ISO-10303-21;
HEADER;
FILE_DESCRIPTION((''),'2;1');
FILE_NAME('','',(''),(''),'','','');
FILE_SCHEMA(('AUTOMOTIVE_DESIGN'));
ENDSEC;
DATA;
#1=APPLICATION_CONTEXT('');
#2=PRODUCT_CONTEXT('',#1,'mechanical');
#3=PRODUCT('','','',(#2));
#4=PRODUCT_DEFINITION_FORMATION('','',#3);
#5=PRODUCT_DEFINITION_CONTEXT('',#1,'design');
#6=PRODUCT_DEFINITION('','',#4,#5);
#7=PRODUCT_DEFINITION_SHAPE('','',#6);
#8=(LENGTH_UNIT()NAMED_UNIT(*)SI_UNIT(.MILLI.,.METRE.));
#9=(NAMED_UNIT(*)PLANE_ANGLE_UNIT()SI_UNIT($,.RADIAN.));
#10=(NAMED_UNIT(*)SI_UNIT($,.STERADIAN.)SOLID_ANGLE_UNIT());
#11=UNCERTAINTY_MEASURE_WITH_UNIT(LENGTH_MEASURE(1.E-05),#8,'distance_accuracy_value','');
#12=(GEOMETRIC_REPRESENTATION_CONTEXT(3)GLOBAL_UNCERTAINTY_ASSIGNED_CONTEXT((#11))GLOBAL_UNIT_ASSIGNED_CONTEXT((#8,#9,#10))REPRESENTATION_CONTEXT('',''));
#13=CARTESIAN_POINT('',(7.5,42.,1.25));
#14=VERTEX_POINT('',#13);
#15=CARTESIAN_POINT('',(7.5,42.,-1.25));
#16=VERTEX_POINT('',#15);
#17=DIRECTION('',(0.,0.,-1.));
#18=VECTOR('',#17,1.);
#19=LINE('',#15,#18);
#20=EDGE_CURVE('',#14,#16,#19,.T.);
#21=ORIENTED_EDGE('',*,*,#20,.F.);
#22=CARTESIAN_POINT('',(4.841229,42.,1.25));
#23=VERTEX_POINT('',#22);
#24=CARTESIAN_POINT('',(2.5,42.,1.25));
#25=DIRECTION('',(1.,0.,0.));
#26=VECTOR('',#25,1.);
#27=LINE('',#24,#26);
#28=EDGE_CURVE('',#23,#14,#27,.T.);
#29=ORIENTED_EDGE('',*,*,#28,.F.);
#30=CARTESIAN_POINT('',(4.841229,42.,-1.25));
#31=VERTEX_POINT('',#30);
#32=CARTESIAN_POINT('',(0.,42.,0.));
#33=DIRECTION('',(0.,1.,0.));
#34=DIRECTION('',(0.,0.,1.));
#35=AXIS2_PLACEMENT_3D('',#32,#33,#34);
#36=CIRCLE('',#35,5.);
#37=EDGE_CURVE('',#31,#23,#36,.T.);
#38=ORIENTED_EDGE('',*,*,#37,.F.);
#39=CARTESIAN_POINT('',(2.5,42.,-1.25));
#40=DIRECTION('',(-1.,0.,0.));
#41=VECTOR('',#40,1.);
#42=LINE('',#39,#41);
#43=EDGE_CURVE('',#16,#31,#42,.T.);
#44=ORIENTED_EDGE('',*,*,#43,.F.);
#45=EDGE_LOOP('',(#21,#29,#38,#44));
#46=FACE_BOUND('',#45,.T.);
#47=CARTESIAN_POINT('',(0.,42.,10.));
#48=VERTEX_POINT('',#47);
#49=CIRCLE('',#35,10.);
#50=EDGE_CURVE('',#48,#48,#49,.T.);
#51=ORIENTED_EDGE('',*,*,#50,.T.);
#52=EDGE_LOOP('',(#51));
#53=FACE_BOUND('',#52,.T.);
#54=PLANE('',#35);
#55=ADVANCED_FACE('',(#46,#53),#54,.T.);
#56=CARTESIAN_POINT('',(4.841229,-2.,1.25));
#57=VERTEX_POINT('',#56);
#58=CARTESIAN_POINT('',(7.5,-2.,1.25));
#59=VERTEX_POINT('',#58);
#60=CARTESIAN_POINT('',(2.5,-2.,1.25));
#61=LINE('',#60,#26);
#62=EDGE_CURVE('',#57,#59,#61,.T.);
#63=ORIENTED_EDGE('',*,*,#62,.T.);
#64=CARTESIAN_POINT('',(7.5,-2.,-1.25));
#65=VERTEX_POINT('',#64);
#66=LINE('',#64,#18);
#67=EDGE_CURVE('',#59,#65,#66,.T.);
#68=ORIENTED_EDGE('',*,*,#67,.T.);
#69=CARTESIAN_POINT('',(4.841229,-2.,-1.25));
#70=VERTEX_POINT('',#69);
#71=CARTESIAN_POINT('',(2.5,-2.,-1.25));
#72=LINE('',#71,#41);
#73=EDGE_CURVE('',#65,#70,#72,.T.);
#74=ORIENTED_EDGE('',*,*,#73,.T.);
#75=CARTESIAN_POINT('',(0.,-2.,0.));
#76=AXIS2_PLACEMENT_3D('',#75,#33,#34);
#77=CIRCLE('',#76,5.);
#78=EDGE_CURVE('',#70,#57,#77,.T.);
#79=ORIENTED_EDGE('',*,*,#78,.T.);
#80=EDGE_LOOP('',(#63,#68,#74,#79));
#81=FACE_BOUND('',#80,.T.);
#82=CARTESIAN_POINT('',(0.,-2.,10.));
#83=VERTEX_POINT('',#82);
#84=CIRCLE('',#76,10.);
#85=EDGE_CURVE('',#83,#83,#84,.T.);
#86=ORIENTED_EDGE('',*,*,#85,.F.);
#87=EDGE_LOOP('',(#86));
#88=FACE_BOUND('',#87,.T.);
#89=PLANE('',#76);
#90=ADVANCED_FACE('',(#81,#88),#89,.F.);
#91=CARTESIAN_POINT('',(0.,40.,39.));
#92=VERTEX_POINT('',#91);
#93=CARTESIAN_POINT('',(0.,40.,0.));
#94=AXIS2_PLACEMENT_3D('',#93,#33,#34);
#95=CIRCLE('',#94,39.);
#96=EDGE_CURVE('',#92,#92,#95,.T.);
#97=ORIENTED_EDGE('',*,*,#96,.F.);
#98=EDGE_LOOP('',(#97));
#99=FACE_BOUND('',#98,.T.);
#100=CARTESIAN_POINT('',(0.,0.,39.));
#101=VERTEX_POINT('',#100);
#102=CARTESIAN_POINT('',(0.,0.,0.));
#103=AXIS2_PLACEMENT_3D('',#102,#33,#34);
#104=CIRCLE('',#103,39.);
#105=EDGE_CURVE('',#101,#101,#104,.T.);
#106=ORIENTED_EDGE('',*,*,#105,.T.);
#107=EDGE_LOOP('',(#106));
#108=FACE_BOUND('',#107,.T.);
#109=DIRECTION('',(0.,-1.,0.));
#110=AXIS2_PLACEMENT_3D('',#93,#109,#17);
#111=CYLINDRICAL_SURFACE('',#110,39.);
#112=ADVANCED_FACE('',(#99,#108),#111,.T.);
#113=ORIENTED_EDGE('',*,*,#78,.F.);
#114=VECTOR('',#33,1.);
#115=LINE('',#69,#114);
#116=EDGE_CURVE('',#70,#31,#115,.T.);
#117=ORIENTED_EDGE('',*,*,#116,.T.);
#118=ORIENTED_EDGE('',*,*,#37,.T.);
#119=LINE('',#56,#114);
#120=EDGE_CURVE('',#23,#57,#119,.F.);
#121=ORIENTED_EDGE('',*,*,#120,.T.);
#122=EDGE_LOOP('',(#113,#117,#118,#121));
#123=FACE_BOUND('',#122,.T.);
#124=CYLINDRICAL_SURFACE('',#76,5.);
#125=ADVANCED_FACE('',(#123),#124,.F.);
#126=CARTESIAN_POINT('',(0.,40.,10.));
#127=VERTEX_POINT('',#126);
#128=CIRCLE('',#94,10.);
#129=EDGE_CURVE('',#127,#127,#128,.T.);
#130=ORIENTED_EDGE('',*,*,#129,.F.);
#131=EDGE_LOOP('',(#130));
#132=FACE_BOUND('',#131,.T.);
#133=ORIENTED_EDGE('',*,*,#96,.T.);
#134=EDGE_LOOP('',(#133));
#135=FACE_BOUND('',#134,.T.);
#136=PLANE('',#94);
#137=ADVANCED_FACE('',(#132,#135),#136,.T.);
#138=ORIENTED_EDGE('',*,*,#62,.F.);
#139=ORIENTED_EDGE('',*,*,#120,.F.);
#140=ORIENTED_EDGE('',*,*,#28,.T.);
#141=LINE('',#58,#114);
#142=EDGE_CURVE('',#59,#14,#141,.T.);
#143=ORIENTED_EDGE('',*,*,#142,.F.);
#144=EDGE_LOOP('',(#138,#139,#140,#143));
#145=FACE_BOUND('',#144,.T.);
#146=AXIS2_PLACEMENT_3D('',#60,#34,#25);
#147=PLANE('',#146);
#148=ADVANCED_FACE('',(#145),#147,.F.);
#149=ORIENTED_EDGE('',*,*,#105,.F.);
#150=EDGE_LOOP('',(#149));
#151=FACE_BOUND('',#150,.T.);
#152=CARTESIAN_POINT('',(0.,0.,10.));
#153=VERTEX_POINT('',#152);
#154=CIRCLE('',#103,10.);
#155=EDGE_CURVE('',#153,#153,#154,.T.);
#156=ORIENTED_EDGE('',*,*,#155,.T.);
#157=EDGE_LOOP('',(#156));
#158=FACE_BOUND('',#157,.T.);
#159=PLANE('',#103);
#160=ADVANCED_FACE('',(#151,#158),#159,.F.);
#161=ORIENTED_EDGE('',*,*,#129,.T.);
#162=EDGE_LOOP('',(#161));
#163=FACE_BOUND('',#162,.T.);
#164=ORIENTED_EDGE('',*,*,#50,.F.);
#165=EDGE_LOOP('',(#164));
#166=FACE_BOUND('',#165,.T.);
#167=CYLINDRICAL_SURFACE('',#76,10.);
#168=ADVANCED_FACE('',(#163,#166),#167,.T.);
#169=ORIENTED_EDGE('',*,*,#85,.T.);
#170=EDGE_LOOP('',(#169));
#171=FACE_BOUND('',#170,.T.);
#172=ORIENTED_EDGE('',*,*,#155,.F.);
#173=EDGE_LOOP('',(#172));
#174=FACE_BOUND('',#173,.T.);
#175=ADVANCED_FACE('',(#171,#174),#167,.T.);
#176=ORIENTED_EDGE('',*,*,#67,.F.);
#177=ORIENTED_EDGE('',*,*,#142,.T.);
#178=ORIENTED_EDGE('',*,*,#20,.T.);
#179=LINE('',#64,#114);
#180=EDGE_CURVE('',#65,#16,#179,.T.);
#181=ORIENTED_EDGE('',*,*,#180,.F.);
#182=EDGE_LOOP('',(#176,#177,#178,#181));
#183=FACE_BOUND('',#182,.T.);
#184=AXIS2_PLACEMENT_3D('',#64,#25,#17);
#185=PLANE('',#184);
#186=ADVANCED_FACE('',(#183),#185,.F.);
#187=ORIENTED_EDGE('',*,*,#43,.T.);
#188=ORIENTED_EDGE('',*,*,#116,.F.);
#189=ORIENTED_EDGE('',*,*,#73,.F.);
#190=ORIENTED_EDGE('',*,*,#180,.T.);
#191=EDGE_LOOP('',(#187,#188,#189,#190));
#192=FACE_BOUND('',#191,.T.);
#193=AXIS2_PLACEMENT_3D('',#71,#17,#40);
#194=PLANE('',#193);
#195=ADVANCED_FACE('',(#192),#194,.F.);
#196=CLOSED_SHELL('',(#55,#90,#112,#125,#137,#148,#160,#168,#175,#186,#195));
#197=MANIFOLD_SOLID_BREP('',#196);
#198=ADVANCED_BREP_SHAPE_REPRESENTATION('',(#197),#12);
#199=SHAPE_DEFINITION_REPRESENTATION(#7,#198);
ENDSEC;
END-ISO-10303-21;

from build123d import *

# Parameters (mm, degrees)
SKETCH1_R                = 39
BOSS_EXTRUDE1_DEPTH      = 40
SKETCH2_R                = 10
BOSS_EXTRUDE2_DEPTH      = 2
BOSS_EXTRUDE2_DEPTH_BACK = 42
SKETCH3_R                = 5
CUT_EXTRUDE1_DEPTH       = 1
CUT_EXTRUDE1_DEPTH_BACK  = 45
SKETCH4_W                = 5
SKETCH4_H                = 2.5
CUT_EXTRUDE2_DEPTH       = 45


with BuildPart() as part:
    # Sketch1 → Boss-Extrude1 (new body)
    with BuildSketch(Plane(origin=(0, 0, 0), x_dir=(1, 0, 0), z_dir=(0, 1, 0))):
        Circle(SKETCH1_R)
    extrude(amount=BOSS_EXTRUDE1_DEPTH)

    # Sketch2 → Boss-Extrude2 (add, two sides)
    with BuildSketch(Plane(origin=(0, 40, 0), x_dir=(1, 0, 0), z_dir=(0, 1, 0))) as boss_extrude2_sk:
        Circle(SKETCH2_R)
    extrude(amount=BOSS_EXTRUDE2_DEPTH)
    extrude(boss_extrude2_sk.sketch, amount=-BOSS_EXTRUDE2_DEPTH_BACK)

    # Sketch3 → Cut-Extrude1 (cut, two sides)
    with BuildSketch(Plane(origin=(0, 42, 0), x_dir=(1, 0, 0), z_dir=(0, 1, 0))) as cut_extrude1_sk:
        Circle(SKETCH3_R)
    extrude(amount=CUT_EXTRUDE1_DEPTH, mode=Mode.SUBTRACT)
    extrude(cut_extrude1_sk.sketch, amount=-CUT_EXTRUDE1_DEPTH_BACK, mode=Mode.SUBTRACT)

    # Sketch4 → Cut-Extrude2 (cut, through all)
    with BuildSketch(Plane(origin=(0, 42, 0), x_dir=(1, 0, 0), z_dir=(0, 1, 0))):
        with Locations((5, 0)):
            Rectangle(SKETCH4_W, SKETCH4_H)
    extrude(amount=-CUT_EXTRUDE2_DEPTH, mode=Mode.SUBTRACT)


solid = part.part
